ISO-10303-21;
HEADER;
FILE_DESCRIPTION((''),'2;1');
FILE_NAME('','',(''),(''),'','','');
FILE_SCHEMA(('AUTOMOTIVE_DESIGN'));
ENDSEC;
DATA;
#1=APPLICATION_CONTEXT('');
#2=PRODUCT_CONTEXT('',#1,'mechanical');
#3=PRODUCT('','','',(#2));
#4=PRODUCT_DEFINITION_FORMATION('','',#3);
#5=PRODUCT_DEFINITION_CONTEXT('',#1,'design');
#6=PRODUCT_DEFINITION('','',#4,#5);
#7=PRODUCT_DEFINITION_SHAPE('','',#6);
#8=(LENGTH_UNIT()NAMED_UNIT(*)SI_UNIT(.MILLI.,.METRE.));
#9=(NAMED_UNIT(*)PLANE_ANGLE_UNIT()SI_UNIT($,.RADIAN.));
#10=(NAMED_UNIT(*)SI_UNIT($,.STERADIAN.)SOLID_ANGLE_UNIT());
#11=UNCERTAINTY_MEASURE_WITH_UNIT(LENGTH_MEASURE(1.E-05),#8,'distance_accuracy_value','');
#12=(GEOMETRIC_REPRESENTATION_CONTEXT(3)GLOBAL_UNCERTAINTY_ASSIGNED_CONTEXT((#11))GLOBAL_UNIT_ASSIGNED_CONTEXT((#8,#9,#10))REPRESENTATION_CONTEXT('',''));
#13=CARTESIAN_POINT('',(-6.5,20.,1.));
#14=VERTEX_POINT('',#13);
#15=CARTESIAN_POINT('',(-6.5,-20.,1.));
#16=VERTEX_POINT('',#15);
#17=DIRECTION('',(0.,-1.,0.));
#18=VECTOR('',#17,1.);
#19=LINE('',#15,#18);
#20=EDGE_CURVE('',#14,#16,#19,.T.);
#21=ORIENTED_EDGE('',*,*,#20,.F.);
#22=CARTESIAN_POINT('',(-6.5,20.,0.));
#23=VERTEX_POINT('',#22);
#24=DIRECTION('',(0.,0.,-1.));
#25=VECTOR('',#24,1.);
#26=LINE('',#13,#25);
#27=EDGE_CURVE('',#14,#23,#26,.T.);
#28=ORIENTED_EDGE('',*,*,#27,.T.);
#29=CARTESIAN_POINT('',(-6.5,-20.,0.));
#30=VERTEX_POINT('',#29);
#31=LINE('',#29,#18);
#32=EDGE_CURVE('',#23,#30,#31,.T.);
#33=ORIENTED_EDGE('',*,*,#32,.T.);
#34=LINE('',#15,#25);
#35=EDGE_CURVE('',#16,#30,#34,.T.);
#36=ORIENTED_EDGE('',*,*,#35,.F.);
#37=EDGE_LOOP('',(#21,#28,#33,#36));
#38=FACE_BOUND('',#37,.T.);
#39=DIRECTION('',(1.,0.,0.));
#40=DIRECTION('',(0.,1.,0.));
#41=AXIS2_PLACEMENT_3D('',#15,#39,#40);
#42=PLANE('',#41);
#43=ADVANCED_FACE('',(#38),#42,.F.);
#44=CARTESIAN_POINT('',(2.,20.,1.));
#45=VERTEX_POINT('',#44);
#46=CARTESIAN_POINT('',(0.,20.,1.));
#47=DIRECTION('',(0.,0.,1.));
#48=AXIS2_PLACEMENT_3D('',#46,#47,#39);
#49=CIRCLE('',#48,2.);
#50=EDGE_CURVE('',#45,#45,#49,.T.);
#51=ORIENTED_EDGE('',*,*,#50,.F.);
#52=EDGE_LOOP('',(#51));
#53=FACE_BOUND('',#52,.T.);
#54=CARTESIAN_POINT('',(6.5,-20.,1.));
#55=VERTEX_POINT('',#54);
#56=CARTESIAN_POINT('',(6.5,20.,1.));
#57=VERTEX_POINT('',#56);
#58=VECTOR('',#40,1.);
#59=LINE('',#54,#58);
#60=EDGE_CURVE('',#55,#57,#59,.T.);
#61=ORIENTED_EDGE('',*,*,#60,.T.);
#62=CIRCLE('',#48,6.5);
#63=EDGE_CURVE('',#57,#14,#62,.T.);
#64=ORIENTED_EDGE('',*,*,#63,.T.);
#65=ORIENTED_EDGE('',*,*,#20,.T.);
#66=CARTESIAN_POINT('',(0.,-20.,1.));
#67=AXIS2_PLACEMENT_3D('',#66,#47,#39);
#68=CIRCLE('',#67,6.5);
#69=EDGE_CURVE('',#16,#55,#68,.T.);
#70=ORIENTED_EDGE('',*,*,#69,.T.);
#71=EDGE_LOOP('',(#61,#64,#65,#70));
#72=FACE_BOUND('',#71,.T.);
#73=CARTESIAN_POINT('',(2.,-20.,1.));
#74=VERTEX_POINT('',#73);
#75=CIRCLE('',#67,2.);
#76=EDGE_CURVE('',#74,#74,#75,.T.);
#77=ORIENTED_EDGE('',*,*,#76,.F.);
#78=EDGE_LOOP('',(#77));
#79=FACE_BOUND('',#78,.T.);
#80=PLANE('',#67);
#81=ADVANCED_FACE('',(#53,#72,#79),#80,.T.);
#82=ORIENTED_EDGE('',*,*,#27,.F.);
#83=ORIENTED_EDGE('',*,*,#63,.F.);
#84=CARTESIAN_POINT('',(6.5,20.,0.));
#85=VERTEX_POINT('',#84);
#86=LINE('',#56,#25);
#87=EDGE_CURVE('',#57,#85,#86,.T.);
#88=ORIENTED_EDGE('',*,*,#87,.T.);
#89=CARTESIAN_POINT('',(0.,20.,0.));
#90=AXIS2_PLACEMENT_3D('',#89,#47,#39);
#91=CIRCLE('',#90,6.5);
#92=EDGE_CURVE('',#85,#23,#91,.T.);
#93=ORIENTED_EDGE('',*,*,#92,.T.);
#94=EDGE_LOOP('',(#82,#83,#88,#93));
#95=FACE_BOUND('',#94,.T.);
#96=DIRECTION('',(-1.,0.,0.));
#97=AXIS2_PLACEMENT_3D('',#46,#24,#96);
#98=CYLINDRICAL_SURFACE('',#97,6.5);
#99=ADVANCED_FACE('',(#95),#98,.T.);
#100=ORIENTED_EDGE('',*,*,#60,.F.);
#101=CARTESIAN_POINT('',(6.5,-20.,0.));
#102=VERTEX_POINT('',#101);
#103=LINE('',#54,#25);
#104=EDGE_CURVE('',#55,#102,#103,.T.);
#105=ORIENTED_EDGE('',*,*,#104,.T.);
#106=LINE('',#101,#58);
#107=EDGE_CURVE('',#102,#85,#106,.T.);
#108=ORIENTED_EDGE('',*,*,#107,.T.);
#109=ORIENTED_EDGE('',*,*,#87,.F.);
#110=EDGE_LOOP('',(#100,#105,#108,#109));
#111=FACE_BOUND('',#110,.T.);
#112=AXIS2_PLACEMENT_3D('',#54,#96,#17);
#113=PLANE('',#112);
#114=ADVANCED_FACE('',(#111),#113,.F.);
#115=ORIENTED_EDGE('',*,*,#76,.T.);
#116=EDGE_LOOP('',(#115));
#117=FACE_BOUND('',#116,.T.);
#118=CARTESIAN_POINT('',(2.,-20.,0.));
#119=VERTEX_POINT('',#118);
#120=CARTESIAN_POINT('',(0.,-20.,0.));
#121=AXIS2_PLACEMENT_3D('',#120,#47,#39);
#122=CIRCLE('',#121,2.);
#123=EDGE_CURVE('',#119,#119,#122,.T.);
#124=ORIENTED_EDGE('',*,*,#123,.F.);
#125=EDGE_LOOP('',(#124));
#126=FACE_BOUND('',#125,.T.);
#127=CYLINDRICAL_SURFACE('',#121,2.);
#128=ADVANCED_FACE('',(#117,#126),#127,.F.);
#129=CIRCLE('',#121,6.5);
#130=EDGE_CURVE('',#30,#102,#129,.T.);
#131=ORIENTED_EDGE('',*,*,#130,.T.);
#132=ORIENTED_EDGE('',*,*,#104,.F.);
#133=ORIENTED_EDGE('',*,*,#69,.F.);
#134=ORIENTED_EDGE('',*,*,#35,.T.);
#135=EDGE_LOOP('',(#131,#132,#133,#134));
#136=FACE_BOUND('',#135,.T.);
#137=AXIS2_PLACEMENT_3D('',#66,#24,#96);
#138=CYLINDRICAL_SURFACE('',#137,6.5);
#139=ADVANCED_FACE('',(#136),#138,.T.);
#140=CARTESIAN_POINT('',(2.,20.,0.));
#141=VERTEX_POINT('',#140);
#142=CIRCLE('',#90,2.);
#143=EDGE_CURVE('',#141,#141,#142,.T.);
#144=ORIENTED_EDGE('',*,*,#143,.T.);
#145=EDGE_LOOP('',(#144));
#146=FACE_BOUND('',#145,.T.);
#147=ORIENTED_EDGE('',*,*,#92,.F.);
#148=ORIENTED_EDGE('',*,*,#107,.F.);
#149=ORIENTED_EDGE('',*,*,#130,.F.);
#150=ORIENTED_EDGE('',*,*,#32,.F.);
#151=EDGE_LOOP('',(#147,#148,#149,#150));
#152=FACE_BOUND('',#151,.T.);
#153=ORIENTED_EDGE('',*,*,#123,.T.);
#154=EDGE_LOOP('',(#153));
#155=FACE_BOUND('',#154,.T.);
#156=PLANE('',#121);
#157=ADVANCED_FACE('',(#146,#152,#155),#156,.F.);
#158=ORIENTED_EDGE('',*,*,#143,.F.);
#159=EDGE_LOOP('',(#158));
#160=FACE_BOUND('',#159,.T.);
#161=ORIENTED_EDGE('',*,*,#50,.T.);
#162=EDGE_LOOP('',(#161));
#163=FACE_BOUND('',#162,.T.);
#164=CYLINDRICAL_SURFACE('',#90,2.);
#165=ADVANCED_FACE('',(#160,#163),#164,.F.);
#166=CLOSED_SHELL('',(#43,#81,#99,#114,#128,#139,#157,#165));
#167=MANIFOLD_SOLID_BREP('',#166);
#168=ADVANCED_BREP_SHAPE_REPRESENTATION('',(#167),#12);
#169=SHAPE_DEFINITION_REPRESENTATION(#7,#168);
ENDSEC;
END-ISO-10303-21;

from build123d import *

# Parameters (mm, degrees)
EXTRUDE_1_DEPTH     = 1
SKETCH_2_R          = 2
CUT_EXTRUDE_1_DEPTH = 28.303845883


with BuildPart() as part:
    # 草图1 → 凸台-拉伸1 (new body)
    with BuildSketch(Plane.XY):
        with BuildLine():
            Line((-6.5, -20), (-6.5, 20))
            ThreePointArc((-6.5, 20), (0, 26.5), (6.5, 20))
            Line((6.5, 20), (6.5, -20))
            ThreePointArc((6.5, -20), (0, -26.5), (-6.5, -20))
        make_face()
    extrude(amount=EXTRUDE_1_DEPTH)

    # 草图2 → 切除-拉伸1 (cut, through all)
    with BuildSketch(Plane.XY.offset(1)):
        with Locations((0, -20)):
            Circle(SKETCH_2_R)
        with Locations((0, 20)):
            Circle(SKETCH_2_R)
    extrude(amount=-CUT_EXTRUDE_1_DEPTH, mode=Mode.SUBTRACT)


solid = part.part
